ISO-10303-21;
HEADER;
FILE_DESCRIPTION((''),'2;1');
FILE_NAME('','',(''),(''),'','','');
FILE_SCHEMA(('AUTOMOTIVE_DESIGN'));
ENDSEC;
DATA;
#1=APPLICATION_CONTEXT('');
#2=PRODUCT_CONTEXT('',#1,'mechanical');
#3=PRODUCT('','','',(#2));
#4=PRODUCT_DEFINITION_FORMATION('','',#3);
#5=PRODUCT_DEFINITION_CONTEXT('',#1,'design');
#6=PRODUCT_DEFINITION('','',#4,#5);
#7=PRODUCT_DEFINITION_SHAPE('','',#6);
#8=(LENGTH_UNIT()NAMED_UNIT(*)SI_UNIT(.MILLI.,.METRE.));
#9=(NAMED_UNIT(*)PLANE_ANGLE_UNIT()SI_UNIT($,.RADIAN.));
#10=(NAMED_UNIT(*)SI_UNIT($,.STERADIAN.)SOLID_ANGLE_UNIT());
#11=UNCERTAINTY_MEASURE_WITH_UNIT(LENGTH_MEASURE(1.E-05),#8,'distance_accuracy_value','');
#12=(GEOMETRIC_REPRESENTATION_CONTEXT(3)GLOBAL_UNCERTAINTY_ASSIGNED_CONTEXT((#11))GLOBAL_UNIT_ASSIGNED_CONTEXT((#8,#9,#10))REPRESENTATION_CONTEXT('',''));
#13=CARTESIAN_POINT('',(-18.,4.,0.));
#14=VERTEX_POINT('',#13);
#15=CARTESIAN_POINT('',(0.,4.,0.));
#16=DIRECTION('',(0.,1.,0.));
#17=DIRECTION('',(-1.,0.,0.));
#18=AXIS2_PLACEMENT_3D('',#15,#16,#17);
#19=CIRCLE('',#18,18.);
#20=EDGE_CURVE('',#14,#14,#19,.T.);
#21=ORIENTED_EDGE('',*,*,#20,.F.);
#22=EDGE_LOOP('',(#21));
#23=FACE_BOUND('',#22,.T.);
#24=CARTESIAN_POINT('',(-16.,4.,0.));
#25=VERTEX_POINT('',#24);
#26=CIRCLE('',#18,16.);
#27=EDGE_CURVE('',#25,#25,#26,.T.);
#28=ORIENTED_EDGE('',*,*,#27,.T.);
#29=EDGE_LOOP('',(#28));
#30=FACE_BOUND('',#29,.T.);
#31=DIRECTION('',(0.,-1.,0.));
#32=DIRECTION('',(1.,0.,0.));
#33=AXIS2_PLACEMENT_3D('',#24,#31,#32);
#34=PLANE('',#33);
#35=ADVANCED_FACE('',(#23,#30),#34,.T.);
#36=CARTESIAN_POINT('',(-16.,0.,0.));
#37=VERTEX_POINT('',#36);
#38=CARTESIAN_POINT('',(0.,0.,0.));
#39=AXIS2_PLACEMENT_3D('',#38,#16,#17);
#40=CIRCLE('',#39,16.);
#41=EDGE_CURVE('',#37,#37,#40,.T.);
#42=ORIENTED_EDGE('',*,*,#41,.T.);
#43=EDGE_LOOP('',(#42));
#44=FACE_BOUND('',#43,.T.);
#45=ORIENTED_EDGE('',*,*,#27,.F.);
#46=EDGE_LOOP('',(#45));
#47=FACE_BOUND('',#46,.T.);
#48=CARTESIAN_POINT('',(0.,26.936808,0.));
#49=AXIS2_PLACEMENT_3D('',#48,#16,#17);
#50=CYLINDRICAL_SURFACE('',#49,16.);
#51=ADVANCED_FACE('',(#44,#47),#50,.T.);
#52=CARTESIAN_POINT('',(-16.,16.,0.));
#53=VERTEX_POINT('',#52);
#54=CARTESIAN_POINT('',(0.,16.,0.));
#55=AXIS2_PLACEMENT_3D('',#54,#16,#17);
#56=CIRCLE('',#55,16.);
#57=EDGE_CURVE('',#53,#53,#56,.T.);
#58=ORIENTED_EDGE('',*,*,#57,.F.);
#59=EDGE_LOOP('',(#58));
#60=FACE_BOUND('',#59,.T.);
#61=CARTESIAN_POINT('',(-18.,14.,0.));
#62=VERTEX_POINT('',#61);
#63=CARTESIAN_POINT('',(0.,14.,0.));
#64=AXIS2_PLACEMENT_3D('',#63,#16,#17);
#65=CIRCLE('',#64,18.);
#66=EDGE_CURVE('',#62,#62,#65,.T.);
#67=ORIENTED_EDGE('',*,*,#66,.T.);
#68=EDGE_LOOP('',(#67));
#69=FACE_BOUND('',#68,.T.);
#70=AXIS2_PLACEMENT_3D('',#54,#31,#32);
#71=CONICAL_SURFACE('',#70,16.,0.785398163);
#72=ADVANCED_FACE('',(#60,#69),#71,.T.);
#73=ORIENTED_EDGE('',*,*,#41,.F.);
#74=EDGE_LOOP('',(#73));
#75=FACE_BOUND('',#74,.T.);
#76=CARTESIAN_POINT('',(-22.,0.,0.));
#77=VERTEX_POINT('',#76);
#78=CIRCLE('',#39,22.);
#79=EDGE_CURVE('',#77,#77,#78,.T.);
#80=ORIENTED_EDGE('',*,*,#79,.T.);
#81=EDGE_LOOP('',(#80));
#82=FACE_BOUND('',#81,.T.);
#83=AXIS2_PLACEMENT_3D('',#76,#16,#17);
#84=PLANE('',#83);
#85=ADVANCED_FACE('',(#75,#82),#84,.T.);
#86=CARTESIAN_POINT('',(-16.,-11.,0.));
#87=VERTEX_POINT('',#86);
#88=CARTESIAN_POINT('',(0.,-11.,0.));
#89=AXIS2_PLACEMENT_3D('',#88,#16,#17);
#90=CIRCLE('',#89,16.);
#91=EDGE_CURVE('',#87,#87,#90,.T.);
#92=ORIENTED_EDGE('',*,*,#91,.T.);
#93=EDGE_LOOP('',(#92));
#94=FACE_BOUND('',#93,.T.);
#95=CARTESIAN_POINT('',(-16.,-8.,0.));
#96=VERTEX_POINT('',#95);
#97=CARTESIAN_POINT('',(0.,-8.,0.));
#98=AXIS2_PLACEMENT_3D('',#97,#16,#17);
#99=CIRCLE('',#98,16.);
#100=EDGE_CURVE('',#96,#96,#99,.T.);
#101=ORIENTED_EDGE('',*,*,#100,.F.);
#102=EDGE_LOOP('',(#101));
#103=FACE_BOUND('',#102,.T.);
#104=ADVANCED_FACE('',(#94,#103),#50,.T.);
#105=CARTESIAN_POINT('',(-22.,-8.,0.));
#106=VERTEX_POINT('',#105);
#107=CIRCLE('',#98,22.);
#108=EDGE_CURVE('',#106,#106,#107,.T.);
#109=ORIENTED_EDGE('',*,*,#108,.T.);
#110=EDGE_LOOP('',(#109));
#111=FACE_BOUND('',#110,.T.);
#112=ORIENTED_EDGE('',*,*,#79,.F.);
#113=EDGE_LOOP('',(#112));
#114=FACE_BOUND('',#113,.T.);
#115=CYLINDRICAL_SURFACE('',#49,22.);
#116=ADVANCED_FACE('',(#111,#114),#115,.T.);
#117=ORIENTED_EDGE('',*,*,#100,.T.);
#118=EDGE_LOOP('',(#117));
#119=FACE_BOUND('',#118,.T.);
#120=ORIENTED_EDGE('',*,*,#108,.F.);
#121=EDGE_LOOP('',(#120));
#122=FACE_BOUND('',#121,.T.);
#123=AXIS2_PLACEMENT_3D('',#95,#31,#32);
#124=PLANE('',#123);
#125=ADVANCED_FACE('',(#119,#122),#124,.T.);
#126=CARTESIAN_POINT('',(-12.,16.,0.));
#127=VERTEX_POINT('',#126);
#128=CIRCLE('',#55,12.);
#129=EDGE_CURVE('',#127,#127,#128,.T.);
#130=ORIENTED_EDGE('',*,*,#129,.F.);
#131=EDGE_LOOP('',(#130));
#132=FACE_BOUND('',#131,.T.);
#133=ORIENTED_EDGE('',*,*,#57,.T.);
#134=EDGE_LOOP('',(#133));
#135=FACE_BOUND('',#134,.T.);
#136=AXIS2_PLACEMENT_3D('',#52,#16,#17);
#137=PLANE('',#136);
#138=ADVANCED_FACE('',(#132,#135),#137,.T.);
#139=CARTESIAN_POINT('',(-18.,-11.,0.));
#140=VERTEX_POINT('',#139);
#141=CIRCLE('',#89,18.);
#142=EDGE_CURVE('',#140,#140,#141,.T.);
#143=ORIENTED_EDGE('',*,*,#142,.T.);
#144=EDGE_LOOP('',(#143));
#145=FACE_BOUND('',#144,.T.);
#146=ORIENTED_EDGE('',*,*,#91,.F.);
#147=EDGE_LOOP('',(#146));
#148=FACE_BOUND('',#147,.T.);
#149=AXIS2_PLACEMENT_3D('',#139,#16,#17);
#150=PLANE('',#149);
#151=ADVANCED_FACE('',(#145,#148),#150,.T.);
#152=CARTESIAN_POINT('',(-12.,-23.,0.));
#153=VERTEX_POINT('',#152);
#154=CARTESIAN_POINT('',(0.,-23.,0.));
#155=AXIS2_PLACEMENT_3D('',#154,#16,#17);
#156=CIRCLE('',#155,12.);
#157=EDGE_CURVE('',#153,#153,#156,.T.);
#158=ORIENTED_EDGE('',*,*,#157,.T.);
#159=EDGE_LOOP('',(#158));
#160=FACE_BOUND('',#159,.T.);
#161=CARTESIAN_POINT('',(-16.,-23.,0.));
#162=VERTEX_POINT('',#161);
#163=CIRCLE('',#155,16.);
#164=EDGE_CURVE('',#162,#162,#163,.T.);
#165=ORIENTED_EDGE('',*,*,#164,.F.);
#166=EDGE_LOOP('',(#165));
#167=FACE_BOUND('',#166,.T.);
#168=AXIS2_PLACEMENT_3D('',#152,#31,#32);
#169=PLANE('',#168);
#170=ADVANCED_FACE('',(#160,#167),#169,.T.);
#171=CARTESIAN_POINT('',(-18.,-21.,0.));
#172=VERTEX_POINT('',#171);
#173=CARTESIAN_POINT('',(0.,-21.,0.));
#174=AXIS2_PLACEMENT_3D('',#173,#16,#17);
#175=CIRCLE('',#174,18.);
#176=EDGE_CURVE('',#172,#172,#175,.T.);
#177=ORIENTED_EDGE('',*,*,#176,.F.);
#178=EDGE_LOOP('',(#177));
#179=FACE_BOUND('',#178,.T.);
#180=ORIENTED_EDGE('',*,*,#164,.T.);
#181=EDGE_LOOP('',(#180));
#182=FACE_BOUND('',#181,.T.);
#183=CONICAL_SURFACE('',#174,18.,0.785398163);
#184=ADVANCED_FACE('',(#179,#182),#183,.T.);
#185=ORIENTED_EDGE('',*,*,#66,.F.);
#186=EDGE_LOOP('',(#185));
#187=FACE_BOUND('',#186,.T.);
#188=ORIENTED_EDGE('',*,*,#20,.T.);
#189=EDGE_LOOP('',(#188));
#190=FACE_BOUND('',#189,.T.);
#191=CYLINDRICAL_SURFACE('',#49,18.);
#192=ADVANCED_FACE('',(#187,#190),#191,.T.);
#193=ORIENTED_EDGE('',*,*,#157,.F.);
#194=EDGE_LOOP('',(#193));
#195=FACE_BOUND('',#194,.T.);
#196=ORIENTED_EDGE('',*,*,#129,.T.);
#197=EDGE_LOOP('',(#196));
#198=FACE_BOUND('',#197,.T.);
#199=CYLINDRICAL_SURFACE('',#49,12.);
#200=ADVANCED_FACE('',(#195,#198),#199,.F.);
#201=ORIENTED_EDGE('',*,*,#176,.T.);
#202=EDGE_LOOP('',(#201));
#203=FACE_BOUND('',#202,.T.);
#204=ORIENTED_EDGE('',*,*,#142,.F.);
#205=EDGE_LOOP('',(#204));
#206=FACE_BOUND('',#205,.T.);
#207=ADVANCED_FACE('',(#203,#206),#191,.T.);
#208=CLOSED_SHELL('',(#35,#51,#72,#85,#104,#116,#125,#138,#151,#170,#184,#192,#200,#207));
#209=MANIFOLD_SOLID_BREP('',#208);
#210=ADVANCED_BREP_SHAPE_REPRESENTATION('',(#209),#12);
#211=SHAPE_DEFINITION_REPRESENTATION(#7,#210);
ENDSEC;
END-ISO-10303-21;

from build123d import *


with BuildPart() as part:
    # Sketch1 → Revolve1 (revolve)
    with BuildSketch(Plane.XY):
        Polygon((-12, -23), (-16, -23), (-18, -21), (-18, -11), (-16, -11), (-16, -8), (-22, -8), (-22, 0), (-16, 0), (-16, 4), (-18, 4), (-18, 14), (-16, 16), (-12, 16), align=None)
    revolve(axis=Axis((0, 26.936808356, 0), (0, -1, 0)))


solid = part.part
